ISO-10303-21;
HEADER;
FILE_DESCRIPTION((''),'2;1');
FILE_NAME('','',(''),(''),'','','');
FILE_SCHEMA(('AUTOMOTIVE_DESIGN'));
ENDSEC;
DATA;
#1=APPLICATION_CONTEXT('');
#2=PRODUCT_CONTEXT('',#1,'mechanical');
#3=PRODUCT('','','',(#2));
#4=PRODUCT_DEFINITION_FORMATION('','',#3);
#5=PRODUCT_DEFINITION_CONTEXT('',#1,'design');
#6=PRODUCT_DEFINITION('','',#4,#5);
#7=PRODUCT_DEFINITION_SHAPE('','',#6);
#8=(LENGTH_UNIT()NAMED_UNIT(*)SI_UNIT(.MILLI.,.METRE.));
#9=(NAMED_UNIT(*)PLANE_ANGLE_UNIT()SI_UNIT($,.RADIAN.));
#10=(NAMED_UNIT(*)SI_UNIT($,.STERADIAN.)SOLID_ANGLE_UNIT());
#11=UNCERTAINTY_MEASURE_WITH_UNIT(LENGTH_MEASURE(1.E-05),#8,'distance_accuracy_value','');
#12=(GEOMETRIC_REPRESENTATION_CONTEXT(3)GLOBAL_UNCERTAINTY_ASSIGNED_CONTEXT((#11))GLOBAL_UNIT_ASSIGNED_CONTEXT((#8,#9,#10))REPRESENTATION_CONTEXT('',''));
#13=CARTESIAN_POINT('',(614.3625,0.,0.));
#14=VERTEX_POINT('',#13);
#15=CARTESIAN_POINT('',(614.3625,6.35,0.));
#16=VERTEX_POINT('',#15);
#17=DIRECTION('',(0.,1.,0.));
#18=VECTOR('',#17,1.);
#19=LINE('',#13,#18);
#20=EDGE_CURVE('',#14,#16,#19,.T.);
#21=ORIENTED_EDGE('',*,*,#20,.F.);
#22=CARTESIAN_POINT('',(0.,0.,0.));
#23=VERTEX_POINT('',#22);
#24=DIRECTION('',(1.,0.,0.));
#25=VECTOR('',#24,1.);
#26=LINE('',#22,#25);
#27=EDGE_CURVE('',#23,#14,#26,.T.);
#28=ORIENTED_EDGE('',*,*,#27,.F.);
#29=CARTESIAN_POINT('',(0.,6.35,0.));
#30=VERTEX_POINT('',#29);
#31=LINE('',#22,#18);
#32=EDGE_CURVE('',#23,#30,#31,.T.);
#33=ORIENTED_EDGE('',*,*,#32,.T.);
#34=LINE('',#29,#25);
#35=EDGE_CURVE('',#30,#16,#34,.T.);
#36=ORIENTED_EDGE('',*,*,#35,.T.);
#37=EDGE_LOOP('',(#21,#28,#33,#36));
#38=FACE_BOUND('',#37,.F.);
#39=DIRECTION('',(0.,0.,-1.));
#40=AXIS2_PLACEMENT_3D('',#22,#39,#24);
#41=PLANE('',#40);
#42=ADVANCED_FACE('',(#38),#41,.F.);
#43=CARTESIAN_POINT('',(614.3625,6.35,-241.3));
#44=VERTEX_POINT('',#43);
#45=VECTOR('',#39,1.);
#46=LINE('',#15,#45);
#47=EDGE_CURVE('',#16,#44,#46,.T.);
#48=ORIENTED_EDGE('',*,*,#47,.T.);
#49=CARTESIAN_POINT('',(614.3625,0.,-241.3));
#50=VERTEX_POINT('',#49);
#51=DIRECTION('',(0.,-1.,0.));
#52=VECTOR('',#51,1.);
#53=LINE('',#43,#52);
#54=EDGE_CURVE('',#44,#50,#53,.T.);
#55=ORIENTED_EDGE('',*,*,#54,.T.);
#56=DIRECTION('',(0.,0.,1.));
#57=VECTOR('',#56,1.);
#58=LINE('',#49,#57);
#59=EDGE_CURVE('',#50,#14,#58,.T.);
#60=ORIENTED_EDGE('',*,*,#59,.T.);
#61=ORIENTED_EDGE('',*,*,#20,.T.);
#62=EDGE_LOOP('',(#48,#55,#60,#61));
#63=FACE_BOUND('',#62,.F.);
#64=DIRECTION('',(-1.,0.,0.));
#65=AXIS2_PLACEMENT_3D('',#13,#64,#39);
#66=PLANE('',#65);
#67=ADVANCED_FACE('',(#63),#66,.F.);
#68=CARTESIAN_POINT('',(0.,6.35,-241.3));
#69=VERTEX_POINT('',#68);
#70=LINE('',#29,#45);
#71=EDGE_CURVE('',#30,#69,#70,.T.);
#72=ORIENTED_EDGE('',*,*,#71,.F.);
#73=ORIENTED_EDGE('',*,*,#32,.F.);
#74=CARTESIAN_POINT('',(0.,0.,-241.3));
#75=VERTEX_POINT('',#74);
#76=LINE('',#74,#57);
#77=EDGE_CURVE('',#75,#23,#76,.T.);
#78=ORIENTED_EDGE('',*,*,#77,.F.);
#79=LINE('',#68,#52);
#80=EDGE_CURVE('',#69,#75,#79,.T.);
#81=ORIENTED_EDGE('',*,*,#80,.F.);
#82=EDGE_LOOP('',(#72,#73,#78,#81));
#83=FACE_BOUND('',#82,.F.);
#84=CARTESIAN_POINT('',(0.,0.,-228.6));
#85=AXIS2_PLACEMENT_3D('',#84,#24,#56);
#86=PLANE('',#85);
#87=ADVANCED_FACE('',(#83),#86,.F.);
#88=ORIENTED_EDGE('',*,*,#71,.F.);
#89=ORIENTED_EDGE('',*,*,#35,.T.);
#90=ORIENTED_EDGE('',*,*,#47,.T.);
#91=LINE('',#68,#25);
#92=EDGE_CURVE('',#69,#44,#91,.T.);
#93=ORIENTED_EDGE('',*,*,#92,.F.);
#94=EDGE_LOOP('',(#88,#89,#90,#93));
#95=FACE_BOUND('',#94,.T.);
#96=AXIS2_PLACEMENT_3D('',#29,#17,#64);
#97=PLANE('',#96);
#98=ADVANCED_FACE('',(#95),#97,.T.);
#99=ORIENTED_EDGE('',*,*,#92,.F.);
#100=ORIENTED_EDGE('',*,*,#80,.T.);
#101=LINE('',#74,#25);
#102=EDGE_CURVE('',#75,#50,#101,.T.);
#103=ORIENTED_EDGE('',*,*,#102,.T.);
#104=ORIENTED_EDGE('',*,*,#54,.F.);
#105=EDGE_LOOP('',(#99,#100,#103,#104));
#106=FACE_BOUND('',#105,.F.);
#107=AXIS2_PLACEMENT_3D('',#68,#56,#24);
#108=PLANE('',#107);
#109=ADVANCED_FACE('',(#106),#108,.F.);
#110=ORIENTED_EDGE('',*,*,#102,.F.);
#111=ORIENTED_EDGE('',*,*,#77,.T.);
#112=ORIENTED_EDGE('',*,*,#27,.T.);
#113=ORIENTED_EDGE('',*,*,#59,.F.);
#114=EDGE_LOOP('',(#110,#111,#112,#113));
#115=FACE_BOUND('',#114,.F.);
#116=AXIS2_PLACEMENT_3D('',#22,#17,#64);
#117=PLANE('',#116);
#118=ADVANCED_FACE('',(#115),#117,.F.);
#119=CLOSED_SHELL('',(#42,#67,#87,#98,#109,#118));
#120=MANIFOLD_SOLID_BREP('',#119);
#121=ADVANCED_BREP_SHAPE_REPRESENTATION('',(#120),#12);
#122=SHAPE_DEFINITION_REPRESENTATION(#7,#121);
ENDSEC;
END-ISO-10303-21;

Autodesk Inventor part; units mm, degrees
ref_plane "YZ Plane" through (0, 0, 0) normal (1, 0, 0) x (0, 1, 0)
ref_plane "XZ Plane" through (0, 0, 0) normal (0, 1, 0) x (-1, 0, 0)
ref_plane "XY Plane" through (0, 0, 0) normal (0, 0, 1) x (1, 0, 0)
sketch "Sketch1" plane through (0, 0, 0) normal (0, 1, 0) x (-1, 0, 0)
  line L0 (0, 0) -> (-614.3625, 0)
  line L1 (-614.3625, 0) -> (-614.3625, -228.6)
  line L2 (-614.3625, -228.6) -> (0, -228.6)
  line L3 (0, -228.6) -> (0, 0)
  dimension "d0" = 614.3625
  dimension "d1" = 228.6
extrude "Extrusion1" add sketch "Sketch1" along normal blind 6.35
sketch "Sketch2" plane through (0, 6.35, 0) normal (0, 1, 0) x (1, 0, 0)
  line L0 (614.3625, 228.6) -> (0, 228.6) projected
  line L1 (0, 228.6) -> (0, 241.3)
  line L2 (0, 241.3) -> (614.3625, 241.3)
  line L3 (614.3625, 241.3) -> (614.3625, 228.6)
  line L4 (614.3625, 228.6) -> (0, 228.6)
  point P0 (0, 0)
  dimension "d4" = 12.7
extrude "Extrusion2" add sketch "Sketch2" against normal blind 6.35
properties part number "BottomHalfOfBack"
